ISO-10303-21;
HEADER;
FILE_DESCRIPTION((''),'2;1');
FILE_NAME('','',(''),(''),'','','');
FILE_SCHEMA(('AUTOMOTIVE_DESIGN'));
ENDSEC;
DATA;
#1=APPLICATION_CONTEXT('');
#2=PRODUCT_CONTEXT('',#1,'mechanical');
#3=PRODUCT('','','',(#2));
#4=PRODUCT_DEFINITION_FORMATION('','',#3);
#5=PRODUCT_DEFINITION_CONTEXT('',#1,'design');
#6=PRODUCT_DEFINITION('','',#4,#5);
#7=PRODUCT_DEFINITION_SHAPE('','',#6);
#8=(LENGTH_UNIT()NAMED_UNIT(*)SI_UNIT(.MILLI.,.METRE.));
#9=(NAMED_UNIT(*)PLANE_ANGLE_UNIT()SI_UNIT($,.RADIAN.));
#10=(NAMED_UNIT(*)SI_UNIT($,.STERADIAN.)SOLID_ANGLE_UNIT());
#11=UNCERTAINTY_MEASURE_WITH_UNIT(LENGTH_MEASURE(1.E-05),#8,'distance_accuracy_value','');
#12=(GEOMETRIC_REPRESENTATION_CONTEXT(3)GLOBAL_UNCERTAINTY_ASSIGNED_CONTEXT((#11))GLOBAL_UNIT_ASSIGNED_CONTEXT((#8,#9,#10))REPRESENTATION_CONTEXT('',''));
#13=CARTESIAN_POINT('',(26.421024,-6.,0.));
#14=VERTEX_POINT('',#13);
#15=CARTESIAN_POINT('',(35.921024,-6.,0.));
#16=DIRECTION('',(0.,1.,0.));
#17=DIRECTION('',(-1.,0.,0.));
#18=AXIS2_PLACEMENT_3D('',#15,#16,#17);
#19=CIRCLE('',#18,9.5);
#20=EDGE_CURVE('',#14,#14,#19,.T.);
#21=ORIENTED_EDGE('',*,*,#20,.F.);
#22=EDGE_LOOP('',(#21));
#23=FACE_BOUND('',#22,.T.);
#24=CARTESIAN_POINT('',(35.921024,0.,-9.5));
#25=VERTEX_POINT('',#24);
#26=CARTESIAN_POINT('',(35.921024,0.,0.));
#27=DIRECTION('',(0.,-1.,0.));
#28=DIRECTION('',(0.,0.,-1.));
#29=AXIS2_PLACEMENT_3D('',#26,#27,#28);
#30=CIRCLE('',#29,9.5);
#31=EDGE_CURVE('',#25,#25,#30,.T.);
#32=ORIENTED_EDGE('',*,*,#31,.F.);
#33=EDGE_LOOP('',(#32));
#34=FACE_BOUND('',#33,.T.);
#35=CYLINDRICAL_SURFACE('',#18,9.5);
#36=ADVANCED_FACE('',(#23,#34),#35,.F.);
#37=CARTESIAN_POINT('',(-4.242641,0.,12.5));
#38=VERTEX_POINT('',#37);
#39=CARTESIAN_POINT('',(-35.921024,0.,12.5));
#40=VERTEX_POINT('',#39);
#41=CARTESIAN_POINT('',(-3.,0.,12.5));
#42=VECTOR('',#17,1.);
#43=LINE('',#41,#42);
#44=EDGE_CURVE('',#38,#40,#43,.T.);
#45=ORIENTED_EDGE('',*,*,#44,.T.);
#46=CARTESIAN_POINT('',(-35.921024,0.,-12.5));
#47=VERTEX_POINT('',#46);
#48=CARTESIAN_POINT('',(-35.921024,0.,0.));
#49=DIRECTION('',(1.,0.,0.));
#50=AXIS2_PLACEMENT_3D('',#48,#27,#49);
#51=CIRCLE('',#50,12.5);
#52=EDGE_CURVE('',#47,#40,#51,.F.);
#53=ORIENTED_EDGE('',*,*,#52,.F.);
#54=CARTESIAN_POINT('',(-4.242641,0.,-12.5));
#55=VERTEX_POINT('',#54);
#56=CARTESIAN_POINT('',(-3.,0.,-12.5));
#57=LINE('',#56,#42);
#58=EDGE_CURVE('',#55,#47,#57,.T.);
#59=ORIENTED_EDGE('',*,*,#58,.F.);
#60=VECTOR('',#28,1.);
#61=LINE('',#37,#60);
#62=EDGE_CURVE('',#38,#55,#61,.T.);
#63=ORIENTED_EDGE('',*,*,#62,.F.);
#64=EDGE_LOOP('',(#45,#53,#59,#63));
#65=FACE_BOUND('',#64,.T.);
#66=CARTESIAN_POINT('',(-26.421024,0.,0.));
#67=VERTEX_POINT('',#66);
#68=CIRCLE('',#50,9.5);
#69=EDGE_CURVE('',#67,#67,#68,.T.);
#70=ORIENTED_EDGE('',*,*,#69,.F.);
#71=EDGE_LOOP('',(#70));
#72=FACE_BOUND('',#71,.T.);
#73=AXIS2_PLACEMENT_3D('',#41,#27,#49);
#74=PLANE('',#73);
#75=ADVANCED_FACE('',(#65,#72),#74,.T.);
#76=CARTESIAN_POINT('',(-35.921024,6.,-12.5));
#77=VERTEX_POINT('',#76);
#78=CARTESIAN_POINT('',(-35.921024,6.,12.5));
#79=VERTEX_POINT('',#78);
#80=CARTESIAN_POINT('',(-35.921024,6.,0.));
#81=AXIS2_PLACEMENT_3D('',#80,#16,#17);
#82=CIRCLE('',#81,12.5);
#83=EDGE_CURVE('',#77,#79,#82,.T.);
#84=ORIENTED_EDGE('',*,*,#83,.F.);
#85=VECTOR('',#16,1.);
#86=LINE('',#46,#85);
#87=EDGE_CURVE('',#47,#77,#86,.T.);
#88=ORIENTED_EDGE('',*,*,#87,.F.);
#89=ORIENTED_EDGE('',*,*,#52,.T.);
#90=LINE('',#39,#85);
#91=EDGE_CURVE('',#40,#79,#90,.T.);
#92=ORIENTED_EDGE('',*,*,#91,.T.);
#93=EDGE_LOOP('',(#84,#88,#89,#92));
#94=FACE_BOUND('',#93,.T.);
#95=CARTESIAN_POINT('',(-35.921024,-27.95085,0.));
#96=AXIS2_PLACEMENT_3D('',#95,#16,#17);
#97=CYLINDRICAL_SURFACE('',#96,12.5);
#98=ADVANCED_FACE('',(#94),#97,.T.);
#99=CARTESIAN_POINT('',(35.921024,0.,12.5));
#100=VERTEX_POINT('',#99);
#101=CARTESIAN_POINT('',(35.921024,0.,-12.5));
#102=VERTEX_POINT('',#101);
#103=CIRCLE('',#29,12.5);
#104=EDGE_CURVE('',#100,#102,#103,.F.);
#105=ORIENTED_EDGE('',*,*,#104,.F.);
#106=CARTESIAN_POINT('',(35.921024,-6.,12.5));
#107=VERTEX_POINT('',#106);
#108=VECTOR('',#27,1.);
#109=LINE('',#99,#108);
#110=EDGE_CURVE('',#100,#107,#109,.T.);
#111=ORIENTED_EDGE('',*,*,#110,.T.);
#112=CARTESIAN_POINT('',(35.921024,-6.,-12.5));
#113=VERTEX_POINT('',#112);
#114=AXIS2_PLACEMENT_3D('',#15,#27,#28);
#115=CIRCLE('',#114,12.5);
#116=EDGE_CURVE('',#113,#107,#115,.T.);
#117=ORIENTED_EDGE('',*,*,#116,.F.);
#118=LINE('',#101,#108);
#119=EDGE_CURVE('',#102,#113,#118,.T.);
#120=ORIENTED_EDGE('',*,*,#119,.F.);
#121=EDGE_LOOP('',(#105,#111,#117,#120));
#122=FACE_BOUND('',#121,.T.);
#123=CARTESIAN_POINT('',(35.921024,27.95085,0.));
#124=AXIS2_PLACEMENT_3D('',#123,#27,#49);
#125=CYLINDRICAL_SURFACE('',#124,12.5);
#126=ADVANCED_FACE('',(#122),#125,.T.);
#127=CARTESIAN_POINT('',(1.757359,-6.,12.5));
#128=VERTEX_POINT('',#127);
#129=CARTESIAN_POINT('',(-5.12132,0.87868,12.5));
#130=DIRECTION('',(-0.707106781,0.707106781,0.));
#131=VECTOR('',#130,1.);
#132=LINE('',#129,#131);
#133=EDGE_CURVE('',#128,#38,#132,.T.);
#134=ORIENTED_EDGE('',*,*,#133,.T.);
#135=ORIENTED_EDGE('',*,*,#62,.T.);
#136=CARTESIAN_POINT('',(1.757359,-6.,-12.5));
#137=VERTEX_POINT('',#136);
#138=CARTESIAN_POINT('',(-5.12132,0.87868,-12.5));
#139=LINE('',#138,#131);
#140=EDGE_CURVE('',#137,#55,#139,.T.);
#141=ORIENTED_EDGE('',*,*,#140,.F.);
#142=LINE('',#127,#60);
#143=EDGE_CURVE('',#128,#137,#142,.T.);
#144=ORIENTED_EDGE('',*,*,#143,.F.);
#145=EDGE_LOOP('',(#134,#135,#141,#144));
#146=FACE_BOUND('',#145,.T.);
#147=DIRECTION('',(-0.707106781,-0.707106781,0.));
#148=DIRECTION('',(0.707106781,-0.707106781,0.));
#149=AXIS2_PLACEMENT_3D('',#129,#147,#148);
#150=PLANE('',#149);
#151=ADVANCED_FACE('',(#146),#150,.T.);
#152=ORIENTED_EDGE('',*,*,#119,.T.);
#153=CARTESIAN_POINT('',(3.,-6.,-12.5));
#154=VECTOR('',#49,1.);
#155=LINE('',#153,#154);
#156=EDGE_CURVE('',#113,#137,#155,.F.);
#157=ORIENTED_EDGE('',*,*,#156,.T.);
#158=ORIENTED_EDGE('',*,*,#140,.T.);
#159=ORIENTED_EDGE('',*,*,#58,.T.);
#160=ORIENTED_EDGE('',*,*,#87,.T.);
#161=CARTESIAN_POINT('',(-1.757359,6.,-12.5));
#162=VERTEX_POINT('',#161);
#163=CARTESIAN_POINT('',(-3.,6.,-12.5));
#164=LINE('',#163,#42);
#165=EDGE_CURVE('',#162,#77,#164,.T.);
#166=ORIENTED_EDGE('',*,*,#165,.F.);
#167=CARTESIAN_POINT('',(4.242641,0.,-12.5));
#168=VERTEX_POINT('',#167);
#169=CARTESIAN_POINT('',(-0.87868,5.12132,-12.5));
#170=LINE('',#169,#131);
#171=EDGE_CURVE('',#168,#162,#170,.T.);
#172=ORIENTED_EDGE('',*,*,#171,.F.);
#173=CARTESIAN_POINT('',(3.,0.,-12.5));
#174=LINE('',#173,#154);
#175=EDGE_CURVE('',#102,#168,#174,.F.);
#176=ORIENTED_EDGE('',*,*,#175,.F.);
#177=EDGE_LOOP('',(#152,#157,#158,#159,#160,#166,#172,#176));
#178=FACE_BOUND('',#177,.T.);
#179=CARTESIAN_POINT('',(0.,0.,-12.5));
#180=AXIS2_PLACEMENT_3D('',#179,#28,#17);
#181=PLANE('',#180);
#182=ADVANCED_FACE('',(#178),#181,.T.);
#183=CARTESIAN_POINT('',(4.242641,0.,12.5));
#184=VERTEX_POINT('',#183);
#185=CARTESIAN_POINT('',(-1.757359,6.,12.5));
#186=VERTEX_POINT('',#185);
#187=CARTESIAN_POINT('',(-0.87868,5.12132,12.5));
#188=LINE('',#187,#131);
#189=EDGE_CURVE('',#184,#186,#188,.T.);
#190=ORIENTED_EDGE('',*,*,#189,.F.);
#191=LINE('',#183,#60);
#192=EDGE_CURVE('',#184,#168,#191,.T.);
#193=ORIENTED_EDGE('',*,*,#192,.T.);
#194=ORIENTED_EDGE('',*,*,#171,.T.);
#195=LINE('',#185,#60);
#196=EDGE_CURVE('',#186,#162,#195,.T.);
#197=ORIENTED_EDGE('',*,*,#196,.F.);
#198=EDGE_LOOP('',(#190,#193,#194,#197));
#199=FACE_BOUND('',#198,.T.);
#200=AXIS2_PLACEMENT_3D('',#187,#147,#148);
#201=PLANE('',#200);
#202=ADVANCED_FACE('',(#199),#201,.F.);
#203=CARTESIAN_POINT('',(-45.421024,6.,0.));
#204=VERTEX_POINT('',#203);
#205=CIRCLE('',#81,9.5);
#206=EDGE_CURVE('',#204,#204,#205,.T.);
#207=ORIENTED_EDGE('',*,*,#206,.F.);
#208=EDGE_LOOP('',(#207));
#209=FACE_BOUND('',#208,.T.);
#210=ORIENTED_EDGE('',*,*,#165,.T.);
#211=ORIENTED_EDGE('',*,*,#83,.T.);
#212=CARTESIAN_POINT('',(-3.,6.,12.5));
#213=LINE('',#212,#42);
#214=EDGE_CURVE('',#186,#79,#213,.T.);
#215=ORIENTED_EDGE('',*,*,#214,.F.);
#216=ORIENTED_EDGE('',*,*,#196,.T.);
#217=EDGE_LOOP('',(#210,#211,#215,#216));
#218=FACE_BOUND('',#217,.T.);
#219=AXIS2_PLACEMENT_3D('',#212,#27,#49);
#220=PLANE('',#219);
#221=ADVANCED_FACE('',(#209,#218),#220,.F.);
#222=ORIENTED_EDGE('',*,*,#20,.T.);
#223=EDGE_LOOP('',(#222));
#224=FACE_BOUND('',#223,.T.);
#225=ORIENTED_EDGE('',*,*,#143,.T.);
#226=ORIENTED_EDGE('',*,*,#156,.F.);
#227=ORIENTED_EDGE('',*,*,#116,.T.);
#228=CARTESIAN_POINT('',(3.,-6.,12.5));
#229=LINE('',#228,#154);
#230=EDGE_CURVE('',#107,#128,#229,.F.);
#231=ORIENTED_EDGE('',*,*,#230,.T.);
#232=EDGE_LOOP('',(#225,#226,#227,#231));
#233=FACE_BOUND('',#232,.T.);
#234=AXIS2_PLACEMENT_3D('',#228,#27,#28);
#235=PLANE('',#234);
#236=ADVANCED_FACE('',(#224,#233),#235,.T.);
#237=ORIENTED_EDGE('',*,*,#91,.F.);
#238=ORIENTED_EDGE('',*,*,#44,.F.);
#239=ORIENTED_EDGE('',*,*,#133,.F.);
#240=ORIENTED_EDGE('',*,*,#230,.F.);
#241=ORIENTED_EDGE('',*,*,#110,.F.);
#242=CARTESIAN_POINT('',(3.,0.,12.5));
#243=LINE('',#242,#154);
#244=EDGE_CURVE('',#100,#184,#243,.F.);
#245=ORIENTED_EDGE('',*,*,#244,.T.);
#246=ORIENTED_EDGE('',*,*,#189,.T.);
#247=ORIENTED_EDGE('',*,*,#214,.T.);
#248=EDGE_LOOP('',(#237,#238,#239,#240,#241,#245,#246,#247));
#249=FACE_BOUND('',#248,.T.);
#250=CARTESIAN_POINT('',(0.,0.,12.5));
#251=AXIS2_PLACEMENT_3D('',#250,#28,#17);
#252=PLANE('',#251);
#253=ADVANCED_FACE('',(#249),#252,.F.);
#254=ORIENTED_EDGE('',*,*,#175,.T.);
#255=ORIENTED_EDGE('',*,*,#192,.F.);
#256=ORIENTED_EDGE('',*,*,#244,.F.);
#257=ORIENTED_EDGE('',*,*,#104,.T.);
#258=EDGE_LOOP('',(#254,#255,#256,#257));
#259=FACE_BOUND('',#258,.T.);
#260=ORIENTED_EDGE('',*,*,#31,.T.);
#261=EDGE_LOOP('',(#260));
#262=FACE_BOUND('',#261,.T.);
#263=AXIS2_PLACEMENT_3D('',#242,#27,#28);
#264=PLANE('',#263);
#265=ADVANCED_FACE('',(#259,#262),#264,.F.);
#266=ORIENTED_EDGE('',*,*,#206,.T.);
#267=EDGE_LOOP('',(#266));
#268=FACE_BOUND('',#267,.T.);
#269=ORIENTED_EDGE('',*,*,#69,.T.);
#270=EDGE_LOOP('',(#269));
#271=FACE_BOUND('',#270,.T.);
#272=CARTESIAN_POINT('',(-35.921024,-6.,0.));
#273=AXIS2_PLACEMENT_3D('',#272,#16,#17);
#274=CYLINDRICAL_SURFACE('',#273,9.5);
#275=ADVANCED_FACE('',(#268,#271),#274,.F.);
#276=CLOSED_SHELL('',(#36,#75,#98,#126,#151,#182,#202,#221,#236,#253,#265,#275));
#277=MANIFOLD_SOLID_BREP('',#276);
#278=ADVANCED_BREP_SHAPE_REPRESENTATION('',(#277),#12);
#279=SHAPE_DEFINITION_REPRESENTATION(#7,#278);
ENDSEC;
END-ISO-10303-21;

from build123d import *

# Parameters (mm, degrees)
EXTRUDE_THIN1_DEPTH = 12.5
BOSS_EXTRUDE1_DEPTH = 6
BOSS_EXTRUDE2_START = -12
BOSS_EXTRUDE2_DEPTH = 6
SKETCH4_R           = 9.5
CUT_EXTRUDE1_DEPTH  = 52.428062496


with BuildPart() as part:
    # Sketch1 → Extrude-Thin1 (new, symmetric)
    with BuildSketch(Plane.XY):
        Polygon((-35.921024484, 0), (-4.242640687, 0), (1.757359313, -6), (35.921024484, -6), (35.921024484, 0), (4.242640687, 0), (-1.757359313, 6), (-35.921024484, 6), align=None)
    extrude(amount=EXTRUDE_THIN1_DEPTH, both=True)

    # Sketch3 → Boss-Extrude1 (add)
    with BuildSketch(Plane(origin=(0, 6, 0), x_dir=(1, 0, 0), z_dir=(0, 1, 0))):
        with BuildLine():
            ThreePointArc((-35.921024484, 12.5), (-48.421024484, 0), (-35.921024484, -12.5))
            Line((-35.921024484, -12.5), (-35.921024484, 12.5))
        make_face()
    extrude(amount=-BOSS_EXTRUDE1_DEPTH)

    # Sketch3<3> → Boss-Extrude2 (add)
    with BuildSketch(Plane(origin=(0, 6, 0), x_dir=(1, 0, 0), z_dir=(0, 1, 0)).offset(BOSS_EXTRUDE2_START)):
        with BuildLine():
            Line((35.921024484, 12.5), (35.921024484, -12.5))
            ThreePointArc((35.921024484, -12.5), (48.421024484, 0), (35.921024484, 12.5))
        make_face()
    extrude(amount=BOSS_EXTRUDE2_DEPTH)

    # Sketch4 → Cut-Extrude1 (cut, through all)
    with BuildSketch(Plane(origin=(0, 6, 0), x_dir=(1, 0, 0), z_dir=(0, 1, 0))):
        with Locations(Location((-35.921024484, 0, 0), (0, 0, 180))):
            Circle(SKETCH4_R)
        with Locations(Location((35.921024484, 0, 0), (0, 0, 180))):
            Circle(SKETCH4_R)
    extrude(amount=-CUT_EXTRUDE1_DEPTH, mode=Mode.SUBTRACT)


solid = part.part
